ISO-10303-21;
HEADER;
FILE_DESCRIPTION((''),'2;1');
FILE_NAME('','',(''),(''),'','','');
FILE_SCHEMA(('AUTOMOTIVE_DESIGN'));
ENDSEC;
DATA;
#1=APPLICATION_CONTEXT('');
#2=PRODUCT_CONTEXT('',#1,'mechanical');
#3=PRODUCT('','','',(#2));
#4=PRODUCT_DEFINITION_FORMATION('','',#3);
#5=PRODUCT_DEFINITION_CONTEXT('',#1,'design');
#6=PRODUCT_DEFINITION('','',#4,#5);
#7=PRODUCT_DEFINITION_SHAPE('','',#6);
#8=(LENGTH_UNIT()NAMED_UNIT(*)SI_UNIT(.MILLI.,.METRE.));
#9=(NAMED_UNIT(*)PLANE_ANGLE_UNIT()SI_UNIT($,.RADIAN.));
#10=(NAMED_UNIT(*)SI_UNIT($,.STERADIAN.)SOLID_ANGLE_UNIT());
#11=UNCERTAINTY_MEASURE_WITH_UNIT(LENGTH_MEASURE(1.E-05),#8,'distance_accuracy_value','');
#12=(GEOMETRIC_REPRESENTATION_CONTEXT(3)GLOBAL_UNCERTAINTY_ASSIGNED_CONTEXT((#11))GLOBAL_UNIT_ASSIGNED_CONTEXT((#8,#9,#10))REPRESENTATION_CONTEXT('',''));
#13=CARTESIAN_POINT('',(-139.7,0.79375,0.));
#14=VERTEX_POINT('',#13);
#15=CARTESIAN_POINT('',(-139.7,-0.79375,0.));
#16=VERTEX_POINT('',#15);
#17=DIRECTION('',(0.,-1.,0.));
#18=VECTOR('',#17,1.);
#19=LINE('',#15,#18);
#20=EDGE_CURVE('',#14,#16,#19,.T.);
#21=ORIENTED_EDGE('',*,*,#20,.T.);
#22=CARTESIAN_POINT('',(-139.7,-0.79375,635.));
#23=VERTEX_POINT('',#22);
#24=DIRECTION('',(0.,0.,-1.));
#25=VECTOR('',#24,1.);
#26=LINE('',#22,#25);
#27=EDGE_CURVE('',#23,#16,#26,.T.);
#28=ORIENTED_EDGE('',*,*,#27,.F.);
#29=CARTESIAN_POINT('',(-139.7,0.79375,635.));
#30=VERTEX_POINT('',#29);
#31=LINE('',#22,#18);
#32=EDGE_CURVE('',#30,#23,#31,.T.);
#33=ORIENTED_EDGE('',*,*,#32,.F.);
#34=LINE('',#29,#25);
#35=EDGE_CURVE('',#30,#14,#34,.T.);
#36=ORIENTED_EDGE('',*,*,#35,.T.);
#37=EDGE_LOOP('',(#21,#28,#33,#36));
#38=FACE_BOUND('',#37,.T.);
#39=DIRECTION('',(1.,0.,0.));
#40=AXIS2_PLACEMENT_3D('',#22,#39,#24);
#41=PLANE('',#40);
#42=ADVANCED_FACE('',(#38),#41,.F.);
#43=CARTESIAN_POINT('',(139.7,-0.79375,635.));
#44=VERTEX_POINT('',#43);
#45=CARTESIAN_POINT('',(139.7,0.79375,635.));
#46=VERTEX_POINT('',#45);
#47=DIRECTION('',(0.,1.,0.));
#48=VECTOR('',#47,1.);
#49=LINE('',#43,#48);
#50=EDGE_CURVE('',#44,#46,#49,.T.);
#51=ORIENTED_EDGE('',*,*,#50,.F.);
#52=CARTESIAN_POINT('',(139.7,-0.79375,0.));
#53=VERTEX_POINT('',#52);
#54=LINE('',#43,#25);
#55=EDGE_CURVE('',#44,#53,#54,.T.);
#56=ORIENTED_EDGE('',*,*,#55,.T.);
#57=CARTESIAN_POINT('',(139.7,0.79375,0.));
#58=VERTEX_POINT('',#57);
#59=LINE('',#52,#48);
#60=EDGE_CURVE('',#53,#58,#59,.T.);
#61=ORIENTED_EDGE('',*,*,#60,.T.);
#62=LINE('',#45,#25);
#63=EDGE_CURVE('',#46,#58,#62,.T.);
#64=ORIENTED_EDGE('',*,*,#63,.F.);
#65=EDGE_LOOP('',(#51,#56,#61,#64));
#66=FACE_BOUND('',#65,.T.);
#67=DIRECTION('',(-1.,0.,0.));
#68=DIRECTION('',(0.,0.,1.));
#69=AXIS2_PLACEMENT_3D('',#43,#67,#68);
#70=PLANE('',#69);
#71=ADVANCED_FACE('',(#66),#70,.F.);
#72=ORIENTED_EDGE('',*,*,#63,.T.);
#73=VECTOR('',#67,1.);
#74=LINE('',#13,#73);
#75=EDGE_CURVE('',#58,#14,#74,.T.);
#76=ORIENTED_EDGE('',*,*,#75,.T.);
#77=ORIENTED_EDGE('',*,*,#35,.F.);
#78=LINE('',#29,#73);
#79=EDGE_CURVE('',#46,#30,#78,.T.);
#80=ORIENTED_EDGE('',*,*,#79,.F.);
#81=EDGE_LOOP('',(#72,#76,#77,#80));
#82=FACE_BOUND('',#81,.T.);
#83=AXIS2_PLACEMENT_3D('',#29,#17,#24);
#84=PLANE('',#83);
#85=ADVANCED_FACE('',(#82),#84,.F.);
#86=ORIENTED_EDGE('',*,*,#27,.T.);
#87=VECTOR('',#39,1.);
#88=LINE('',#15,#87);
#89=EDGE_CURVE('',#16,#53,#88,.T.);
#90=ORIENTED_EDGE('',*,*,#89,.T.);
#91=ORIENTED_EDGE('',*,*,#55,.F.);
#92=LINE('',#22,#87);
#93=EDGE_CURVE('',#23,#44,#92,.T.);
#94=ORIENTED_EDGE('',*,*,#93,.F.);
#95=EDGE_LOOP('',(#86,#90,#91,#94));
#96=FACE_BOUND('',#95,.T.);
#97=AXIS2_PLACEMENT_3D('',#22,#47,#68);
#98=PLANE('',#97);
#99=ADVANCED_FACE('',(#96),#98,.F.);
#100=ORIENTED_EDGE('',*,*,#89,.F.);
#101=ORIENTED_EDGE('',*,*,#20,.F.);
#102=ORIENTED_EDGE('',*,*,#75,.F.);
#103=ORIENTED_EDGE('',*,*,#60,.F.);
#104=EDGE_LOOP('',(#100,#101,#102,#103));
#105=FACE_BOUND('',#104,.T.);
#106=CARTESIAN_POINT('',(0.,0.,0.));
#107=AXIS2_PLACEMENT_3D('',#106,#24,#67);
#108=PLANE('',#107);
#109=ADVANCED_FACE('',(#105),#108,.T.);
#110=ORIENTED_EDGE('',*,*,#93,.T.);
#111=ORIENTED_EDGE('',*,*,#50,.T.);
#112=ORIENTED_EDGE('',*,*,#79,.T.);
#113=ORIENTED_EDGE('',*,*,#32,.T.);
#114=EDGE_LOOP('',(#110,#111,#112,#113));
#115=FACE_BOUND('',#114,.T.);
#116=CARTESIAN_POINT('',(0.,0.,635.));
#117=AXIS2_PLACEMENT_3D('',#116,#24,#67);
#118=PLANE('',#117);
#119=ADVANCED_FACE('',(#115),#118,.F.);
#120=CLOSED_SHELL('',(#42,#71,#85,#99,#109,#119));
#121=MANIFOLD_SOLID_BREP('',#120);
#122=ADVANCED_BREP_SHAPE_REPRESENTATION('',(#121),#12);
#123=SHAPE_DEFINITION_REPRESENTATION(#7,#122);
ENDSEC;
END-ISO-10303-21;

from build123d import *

# Parameters (mm, degrees)
SKETCH1_W           = 279.4
SKETCH1_H           = 1.5875
BOSS_EXTRUDE1_DEPTH = 635


with BuildPart() as part:
    # Sketch1 → Boss-Extrude1 (new body)
    with BuildSketch(Plane.XY):
        Rectangle(SKETCH1_W, SKETCH1_H)
    extrude(amount=BOSS_EXTRUDE1_DEPTH)


solid = part.part
